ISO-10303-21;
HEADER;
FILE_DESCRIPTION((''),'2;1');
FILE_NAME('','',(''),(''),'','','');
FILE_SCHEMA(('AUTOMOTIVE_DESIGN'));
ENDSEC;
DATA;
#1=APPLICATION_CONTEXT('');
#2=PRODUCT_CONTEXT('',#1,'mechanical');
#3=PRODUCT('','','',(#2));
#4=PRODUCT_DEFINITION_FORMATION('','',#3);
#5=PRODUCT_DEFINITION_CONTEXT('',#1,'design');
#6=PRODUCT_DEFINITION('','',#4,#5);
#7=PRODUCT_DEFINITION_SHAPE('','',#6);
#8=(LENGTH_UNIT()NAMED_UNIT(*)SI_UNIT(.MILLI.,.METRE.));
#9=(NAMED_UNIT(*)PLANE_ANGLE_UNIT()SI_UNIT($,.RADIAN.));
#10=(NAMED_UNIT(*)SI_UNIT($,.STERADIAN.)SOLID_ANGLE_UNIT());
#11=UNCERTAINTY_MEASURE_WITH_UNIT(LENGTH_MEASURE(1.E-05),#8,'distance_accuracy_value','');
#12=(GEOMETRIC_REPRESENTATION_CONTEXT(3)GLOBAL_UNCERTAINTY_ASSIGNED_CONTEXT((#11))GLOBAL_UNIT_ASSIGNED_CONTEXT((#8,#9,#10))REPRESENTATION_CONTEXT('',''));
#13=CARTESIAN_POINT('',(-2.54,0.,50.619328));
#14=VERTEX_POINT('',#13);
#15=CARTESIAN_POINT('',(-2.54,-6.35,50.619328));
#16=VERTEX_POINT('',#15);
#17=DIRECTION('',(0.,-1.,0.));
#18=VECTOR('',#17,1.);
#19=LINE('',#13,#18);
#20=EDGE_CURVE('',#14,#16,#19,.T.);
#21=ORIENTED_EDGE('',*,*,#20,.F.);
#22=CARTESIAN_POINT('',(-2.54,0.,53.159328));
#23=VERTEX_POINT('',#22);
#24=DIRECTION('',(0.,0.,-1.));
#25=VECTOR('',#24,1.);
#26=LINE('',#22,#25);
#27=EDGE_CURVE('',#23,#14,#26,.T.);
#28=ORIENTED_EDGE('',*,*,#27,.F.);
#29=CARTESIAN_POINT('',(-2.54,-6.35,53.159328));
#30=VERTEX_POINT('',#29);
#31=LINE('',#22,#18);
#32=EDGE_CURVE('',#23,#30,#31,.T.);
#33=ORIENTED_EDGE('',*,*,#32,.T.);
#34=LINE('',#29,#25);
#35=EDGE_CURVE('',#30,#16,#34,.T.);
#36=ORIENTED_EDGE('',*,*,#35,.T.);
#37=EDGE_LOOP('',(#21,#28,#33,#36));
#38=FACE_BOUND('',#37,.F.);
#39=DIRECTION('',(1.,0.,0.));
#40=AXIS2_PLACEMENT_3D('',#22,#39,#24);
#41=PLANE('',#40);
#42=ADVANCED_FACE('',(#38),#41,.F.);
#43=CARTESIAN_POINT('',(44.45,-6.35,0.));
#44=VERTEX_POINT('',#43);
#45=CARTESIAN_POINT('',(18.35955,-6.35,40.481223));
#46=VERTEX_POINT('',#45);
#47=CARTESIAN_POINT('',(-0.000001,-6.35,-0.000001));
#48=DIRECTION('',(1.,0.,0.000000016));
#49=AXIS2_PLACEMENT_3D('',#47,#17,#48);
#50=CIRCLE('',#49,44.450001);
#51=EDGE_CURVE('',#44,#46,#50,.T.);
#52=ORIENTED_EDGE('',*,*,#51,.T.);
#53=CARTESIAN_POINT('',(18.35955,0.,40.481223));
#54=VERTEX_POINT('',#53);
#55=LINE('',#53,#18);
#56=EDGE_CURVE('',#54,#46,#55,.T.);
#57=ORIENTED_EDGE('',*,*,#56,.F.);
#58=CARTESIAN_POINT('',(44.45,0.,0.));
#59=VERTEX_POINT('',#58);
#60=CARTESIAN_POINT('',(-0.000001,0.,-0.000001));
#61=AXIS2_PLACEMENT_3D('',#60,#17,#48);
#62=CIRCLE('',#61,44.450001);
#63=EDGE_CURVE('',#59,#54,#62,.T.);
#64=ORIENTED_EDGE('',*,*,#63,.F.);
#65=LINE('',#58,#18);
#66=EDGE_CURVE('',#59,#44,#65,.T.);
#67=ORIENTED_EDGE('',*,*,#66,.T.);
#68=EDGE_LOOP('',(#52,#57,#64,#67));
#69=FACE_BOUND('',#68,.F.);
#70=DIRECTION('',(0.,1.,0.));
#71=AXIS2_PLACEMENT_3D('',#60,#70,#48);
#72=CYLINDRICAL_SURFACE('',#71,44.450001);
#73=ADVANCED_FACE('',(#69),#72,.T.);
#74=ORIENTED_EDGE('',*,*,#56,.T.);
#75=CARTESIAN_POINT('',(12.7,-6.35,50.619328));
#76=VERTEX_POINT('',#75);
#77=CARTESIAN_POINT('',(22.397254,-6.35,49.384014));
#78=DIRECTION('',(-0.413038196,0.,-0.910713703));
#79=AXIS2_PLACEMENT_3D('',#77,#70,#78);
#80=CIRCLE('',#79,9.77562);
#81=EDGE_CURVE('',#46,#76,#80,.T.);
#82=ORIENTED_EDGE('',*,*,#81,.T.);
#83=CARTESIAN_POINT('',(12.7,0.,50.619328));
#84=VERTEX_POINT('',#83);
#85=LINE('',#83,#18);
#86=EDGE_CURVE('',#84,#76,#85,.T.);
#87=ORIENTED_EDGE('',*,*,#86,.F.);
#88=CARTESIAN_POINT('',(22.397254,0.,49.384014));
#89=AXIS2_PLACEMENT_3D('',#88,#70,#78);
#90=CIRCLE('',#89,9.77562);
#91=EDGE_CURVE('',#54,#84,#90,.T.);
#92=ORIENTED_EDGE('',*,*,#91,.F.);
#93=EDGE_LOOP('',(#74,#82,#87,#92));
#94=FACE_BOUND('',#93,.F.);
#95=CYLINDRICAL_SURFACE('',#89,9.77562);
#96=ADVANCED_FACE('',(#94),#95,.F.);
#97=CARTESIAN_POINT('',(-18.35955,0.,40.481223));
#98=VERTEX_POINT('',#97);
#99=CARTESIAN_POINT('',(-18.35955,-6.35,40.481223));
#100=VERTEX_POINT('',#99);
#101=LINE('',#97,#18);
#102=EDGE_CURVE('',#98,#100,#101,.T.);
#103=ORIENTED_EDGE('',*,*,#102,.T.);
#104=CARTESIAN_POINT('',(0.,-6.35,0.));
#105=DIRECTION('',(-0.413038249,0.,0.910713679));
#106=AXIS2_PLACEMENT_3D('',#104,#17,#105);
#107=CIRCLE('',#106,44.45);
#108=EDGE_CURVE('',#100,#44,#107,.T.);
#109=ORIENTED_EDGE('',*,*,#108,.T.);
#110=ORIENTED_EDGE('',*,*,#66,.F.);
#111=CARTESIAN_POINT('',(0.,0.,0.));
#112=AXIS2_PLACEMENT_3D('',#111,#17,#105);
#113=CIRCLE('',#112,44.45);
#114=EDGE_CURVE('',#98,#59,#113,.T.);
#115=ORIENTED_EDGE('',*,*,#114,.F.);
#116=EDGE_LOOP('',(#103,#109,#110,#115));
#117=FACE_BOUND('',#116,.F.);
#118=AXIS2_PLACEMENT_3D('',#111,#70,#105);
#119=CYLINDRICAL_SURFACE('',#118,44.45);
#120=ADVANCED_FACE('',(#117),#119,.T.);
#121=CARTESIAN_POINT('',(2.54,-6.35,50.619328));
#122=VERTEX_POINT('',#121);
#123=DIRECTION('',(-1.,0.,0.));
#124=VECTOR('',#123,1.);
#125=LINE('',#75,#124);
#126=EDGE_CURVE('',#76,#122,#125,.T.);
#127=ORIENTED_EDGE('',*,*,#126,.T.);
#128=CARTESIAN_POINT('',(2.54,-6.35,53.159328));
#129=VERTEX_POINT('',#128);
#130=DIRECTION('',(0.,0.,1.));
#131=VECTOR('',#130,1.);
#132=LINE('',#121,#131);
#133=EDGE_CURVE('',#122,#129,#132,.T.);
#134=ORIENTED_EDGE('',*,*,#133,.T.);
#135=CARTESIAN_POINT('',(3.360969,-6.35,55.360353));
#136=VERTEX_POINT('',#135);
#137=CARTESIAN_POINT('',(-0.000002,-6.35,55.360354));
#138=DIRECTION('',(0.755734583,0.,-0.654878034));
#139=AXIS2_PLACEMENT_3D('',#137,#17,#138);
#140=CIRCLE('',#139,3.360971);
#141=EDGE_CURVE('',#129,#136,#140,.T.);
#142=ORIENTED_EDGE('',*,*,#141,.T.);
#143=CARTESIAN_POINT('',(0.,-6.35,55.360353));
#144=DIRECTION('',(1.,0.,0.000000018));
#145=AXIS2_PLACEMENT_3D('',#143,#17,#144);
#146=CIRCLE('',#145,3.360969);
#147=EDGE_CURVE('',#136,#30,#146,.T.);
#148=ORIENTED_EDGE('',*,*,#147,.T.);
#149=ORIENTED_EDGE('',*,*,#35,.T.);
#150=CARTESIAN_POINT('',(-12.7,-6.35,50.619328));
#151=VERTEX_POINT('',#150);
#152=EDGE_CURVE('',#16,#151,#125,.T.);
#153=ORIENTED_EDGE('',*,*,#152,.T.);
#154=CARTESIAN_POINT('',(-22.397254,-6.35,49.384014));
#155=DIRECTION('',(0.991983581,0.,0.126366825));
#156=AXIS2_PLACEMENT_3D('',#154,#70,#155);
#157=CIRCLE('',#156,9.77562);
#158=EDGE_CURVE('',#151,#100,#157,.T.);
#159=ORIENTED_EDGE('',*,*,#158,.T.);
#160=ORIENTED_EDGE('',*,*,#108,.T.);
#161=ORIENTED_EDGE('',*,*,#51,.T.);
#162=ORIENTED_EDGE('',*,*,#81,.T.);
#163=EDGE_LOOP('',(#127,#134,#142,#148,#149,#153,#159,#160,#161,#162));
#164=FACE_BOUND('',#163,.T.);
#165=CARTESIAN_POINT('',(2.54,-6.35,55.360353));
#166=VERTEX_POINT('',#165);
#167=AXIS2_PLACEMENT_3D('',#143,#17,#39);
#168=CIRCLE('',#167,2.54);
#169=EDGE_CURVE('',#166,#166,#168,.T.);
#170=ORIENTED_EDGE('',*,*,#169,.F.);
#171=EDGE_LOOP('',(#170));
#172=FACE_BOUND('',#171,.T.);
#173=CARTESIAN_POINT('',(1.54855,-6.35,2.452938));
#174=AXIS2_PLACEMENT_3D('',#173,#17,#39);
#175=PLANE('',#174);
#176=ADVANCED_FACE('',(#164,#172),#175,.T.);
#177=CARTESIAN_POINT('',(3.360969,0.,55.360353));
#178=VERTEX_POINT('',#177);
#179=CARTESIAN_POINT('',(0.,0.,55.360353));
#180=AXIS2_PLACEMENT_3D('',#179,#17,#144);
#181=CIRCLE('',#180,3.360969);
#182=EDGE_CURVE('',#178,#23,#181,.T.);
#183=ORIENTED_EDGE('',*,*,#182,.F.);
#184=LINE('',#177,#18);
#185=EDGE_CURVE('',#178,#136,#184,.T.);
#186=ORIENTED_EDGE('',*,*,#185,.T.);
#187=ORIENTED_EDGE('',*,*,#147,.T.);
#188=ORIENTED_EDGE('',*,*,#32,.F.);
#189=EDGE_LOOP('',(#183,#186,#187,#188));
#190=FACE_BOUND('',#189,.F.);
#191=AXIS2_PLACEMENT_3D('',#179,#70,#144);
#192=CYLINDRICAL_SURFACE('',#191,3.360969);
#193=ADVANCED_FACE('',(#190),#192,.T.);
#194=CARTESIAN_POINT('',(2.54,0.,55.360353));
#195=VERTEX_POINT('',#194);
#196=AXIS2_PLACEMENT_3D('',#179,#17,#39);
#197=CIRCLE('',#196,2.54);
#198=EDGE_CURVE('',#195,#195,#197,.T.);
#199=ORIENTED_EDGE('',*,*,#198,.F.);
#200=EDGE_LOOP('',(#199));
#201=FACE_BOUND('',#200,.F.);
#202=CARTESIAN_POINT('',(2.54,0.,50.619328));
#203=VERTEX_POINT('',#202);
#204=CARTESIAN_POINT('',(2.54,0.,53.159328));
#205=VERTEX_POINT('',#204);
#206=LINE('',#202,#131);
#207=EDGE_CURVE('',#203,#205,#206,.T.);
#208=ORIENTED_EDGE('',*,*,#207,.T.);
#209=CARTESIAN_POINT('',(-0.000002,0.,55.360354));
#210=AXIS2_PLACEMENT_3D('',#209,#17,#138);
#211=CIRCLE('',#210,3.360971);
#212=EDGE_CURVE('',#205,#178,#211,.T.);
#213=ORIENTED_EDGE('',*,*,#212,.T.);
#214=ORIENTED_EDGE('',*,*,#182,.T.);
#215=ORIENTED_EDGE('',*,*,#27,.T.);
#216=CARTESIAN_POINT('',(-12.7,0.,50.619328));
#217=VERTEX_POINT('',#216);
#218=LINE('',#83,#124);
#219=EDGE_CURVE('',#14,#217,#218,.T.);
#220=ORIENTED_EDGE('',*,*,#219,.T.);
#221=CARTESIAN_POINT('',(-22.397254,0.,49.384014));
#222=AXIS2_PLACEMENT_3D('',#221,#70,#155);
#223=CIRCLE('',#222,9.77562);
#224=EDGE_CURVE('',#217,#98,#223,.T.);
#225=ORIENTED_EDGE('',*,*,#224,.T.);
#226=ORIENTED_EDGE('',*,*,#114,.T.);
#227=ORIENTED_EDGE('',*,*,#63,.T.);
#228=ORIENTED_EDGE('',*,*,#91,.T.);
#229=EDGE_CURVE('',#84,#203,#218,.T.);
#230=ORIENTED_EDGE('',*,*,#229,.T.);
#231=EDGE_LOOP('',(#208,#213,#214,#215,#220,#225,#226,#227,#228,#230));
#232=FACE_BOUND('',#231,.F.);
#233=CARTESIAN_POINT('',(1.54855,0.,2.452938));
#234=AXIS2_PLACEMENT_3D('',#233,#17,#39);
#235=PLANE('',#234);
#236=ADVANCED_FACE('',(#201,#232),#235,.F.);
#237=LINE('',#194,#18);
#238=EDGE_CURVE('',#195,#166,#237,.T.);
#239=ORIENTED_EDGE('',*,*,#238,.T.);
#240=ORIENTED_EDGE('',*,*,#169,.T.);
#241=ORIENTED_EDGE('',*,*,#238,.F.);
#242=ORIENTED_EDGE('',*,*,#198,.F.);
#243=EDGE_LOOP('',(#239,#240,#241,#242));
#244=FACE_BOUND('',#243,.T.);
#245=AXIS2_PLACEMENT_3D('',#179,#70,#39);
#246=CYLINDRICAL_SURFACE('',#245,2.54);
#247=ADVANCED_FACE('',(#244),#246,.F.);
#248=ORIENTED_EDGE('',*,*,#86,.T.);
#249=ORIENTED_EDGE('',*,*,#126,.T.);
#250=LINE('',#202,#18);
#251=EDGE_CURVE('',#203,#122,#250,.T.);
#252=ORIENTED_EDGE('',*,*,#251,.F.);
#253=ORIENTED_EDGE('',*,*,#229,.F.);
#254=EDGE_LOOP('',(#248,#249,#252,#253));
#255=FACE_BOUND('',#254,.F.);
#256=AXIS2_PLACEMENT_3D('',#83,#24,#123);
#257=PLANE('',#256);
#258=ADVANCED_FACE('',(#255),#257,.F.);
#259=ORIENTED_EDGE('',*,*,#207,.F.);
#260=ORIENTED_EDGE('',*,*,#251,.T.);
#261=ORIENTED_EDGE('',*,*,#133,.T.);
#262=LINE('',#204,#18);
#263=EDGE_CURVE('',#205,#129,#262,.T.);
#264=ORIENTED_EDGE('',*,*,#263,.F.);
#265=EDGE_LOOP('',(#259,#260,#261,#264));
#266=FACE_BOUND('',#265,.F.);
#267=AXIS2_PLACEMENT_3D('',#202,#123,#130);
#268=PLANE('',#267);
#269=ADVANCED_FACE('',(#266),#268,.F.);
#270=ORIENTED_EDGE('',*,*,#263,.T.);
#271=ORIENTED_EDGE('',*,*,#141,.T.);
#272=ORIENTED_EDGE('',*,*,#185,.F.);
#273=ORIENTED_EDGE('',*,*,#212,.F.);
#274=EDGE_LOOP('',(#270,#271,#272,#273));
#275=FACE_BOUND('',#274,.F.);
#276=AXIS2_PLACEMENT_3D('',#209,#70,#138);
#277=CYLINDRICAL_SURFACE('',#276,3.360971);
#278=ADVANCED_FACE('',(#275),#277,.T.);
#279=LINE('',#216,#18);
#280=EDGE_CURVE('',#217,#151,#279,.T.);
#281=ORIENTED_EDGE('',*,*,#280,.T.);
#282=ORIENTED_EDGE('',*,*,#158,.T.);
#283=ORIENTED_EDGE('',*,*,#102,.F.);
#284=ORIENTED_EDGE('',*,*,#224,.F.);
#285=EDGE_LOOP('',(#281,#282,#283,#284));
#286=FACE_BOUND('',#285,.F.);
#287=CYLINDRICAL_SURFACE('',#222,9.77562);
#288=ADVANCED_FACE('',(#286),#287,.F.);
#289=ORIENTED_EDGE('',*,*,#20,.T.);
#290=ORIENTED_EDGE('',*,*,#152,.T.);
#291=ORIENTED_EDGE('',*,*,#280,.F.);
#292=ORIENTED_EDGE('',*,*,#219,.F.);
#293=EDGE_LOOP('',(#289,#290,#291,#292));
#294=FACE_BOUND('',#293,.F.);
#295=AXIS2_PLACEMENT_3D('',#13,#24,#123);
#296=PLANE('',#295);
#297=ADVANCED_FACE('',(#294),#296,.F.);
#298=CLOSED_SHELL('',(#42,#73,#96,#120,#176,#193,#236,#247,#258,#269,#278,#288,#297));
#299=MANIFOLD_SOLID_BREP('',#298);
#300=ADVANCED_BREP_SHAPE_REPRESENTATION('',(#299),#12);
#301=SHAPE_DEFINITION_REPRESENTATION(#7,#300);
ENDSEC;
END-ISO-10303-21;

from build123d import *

# Parameters (mm, degrees)
F0_R     = 2.54
F1_DEPTH = 6.35


with BuildPart() as f1:
    # F0 (on Front) → F1 (new body)
    with BuildSketch(Plane.XZ):
        with BuildLine():
            ThreePointArc((-18.35955, 40.481223), (-24.080288, -37.36231), (44.45, 0))
            ThreePointArc((44.45, 0), (37.36231, 24.080288), (18.35955, 40.481223))
            ThreePointArc((18.35955, 40.481223), (0, 44.45), (-18.35955, 40.481223))
        make_face()
        with BuildLine():
            ThreePointArc((-18.35955, 40.481223), (0, 44.45), (18.35955, 40.481223))
            ThreePointArc((18.35955, 40.481223), (13.86159, 44.619019), (12.7, 50.619328))
            Line((12.7, 50.619328), (2.54, 50.619328))
            Line((2.54, 50.619328), (0, 50.619328))
            Line((0, 50.619328), (-2.54, 50.619328))
            Line((-2.54, 50.619328), (-12.7, 50.619328))
            ThreePointArc((-12.7, 50.619328), (-13.86159, 44.619019), (-18.35955, 40.481223))
        make_face()
        with BuildLine():
            Line((0, 50.619328), (2.54, 50.619328))
            Line((2.54, 50.619328), (2.54, 53.159328))
            ThreePointArc((2.54, 53.159328), (0, 51.999384), (-2.54, 53.159328))
            Line((-2.54, 53.159328), (-2.54, 50.619328))
            Line((-2.54, 50.619328), (0, 50.619328))
        make_face()
        with BuildLine():
            ThreePointArc((-2.54, 53.159328), (0, 51.999384), (2.54, 53.159328))
            ThreePointArc((2.54, 53.159328), (3.149045, 54.185778), (3.360969, 55.360353))
            ThreePointArc((3.360969, 55.360353), (-1.174575, 58.509398), (-2.54, 53.159328))
        make_face()
        with Locations((0, 55.360353)):
            Circle(F0_R, mode=Mode.SUBTRACT)
    extrude(amount=F1_DEPTH)


solid = f1.part
